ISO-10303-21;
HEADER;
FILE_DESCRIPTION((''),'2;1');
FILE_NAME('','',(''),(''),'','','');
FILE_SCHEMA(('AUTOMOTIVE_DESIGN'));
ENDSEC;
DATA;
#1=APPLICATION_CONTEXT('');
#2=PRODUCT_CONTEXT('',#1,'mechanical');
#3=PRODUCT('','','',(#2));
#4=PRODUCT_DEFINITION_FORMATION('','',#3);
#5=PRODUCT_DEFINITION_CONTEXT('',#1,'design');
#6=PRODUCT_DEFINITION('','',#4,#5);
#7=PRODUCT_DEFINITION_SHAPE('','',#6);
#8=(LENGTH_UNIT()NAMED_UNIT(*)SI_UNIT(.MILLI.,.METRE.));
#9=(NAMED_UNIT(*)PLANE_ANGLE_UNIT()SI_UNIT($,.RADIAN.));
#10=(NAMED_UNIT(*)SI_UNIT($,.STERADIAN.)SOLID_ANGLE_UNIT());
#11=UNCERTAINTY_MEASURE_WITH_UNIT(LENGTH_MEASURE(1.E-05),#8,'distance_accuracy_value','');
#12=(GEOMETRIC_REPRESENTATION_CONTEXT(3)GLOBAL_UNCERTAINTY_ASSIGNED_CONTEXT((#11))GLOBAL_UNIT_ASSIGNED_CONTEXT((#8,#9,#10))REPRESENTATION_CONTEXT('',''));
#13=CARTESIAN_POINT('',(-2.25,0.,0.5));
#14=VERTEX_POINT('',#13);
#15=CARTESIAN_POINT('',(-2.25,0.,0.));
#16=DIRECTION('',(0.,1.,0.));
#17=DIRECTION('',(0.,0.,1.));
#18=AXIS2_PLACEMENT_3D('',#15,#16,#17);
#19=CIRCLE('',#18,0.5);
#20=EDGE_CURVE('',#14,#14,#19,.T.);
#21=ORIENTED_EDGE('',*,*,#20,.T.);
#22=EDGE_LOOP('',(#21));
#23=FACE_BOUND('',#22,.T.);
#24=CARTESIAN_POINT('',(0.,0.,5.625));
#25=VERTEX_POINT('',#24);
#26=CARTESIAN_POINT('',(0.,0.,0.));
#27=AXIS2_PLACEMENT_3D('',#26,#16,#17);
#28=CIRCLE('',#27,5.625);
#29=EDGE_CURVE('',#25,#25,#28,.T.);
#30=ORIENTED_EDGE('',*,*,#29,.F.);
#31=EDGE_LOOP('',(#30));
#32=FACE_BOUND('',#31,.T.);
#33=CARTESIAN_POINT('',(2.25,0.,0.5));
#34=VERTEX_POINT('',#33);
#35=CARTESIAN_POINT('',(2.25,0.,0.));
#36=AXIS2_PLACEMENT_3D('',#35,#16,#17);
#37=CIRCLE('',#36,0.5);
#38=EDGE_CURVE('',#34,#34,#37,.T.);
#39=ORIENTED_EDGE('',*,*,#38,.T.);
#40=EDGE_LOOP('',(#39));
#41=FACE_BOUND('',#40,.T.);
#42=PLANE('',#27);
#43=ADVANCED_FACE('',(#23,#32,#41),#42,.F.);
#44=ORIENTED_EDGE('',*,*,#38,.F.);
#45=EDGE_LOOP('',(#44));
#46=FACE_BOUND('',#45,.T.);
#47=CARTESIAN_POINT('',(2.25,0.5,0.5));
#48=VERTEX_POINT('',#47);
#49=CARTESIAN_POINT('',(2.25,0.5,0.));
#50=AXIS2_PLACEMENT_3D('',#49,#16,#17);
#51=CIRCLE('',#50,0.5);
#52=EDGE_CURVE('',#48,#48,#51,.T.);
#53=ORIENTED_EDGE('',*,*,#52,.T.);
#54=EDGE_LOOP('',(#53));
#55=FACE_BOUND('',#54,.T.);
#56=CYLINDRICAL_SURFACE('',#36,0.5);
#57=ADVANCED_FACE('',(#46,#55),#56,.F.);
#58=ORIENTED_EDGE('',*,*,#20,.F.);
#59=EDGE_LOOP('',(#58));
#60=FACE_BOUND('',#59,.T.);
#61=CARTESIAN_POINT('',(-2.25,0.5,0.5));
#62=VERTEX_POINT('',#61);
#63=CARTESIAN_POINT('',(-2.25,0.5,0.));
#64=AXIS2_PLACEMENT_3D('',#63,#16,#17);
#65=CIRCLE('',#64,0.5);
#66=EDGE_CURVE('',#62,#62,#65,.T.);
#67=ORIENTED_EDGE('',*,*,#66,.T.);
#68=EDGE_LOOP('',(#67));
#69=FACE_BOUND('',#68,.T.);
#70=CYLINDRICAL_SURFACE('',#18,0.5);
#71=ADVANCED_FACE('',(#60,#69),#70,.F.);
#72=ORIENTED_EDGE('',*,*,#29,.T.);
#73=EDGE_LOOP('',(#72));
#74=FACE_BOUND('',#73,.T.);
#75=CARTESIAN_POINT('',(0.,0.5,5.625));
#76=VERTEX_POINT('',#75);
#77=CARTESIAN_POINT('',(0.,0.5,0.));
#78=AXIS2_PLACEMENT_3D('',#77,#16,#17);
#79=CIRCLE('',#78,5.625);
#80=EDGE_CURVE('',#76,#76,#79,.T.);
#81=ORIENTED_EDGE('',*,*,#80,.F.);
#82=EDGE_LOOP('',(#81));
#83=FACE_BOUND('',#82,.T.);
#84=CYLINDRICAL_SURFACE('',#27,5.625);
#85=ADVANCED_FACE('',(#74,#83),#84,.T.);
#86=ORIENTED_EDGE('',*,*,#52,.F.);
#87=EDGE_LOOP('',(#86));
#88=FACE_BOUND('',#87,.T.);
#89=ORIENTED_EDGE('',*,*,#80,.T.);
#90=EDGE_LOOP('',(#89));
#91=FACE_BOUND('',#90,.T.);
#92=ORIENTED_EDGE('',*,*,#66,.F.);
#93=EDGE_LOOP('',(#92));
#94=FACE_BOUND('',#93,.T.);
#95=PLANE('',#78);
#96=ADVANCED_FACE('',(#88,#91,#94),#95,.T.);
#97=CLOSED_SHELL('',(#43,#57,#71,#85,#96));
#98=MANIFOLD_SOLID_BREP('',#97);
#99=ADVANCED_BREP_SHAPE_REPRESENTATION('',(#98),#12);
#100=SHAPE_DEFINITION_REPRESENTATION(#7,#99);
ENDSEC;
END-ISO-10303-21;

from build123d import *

# Parameters (mm, degrees)
SKETCH1_R           = 4.5
BOSS_EXTRUDE1_DEPTH = 0.5
SKETCH2_R           = 0.5
CUT_EXTRUDE1_DEPTH  = 7.383572667
BOSS_EXTRUDE2_START = -0.5
SKETCH3_R           = 5.625
SKETCH3_R_2         = 4.5
BOSS_EXTRUDE2_DEPTH = 0.5


with BuildPart() as part:
    # Sketch1 → Boss-Extrude1 (new body)
    with BuildSketch(Plane(origin=(0, 0, 0), x_dir=(1, 0, 0), z_dir=(0, 1, 0))):
        with Locations(Location((0, 0, 0), (0, 0, 270))):
            Circle(SKETCH1_R)
    extrude(amount=BOSS_EXTRUDE1_DEPTH)

    # Sketch2 → Cut-Extrude1 (cut, through all)
    with BuildSketch(Plane(origin=(0, 0.5, 0), x_dir=(1, 0, 0), z_dir=(0, 1, 0))):
        with Locations(Location((-2.25, 0, 0), (0, 0, 270))):
            Circle(SKETCH2_R)
        with Locations(Location((2.25, 0, 0), (0, 0, 270))):
            Circle(SKETCH2_R)
    extrude(amount=-CUT_EXTRUDE1_DEPTH, mode=Mode.SUBTRACT)

    # Sketch3 → Boss-Extrude2 (add)
    with BuildSketch(Plane(origin=(0, 0.5, 0), x_dir=(1, 0, 0), z_dir=(0, 1, 0)).offset(BOSS_EXTRUDE2_START)):
        with Locations(Location((0, 0, 0), (0, 0, 270))):
            Circle(SKETCH3_R)
        Circle(SKETCH3_R_2, mode=Mode.SUBTRACT)
    extrude(amount=BOSS_EXTRUDE2_DEPTH)


solid = part.part
